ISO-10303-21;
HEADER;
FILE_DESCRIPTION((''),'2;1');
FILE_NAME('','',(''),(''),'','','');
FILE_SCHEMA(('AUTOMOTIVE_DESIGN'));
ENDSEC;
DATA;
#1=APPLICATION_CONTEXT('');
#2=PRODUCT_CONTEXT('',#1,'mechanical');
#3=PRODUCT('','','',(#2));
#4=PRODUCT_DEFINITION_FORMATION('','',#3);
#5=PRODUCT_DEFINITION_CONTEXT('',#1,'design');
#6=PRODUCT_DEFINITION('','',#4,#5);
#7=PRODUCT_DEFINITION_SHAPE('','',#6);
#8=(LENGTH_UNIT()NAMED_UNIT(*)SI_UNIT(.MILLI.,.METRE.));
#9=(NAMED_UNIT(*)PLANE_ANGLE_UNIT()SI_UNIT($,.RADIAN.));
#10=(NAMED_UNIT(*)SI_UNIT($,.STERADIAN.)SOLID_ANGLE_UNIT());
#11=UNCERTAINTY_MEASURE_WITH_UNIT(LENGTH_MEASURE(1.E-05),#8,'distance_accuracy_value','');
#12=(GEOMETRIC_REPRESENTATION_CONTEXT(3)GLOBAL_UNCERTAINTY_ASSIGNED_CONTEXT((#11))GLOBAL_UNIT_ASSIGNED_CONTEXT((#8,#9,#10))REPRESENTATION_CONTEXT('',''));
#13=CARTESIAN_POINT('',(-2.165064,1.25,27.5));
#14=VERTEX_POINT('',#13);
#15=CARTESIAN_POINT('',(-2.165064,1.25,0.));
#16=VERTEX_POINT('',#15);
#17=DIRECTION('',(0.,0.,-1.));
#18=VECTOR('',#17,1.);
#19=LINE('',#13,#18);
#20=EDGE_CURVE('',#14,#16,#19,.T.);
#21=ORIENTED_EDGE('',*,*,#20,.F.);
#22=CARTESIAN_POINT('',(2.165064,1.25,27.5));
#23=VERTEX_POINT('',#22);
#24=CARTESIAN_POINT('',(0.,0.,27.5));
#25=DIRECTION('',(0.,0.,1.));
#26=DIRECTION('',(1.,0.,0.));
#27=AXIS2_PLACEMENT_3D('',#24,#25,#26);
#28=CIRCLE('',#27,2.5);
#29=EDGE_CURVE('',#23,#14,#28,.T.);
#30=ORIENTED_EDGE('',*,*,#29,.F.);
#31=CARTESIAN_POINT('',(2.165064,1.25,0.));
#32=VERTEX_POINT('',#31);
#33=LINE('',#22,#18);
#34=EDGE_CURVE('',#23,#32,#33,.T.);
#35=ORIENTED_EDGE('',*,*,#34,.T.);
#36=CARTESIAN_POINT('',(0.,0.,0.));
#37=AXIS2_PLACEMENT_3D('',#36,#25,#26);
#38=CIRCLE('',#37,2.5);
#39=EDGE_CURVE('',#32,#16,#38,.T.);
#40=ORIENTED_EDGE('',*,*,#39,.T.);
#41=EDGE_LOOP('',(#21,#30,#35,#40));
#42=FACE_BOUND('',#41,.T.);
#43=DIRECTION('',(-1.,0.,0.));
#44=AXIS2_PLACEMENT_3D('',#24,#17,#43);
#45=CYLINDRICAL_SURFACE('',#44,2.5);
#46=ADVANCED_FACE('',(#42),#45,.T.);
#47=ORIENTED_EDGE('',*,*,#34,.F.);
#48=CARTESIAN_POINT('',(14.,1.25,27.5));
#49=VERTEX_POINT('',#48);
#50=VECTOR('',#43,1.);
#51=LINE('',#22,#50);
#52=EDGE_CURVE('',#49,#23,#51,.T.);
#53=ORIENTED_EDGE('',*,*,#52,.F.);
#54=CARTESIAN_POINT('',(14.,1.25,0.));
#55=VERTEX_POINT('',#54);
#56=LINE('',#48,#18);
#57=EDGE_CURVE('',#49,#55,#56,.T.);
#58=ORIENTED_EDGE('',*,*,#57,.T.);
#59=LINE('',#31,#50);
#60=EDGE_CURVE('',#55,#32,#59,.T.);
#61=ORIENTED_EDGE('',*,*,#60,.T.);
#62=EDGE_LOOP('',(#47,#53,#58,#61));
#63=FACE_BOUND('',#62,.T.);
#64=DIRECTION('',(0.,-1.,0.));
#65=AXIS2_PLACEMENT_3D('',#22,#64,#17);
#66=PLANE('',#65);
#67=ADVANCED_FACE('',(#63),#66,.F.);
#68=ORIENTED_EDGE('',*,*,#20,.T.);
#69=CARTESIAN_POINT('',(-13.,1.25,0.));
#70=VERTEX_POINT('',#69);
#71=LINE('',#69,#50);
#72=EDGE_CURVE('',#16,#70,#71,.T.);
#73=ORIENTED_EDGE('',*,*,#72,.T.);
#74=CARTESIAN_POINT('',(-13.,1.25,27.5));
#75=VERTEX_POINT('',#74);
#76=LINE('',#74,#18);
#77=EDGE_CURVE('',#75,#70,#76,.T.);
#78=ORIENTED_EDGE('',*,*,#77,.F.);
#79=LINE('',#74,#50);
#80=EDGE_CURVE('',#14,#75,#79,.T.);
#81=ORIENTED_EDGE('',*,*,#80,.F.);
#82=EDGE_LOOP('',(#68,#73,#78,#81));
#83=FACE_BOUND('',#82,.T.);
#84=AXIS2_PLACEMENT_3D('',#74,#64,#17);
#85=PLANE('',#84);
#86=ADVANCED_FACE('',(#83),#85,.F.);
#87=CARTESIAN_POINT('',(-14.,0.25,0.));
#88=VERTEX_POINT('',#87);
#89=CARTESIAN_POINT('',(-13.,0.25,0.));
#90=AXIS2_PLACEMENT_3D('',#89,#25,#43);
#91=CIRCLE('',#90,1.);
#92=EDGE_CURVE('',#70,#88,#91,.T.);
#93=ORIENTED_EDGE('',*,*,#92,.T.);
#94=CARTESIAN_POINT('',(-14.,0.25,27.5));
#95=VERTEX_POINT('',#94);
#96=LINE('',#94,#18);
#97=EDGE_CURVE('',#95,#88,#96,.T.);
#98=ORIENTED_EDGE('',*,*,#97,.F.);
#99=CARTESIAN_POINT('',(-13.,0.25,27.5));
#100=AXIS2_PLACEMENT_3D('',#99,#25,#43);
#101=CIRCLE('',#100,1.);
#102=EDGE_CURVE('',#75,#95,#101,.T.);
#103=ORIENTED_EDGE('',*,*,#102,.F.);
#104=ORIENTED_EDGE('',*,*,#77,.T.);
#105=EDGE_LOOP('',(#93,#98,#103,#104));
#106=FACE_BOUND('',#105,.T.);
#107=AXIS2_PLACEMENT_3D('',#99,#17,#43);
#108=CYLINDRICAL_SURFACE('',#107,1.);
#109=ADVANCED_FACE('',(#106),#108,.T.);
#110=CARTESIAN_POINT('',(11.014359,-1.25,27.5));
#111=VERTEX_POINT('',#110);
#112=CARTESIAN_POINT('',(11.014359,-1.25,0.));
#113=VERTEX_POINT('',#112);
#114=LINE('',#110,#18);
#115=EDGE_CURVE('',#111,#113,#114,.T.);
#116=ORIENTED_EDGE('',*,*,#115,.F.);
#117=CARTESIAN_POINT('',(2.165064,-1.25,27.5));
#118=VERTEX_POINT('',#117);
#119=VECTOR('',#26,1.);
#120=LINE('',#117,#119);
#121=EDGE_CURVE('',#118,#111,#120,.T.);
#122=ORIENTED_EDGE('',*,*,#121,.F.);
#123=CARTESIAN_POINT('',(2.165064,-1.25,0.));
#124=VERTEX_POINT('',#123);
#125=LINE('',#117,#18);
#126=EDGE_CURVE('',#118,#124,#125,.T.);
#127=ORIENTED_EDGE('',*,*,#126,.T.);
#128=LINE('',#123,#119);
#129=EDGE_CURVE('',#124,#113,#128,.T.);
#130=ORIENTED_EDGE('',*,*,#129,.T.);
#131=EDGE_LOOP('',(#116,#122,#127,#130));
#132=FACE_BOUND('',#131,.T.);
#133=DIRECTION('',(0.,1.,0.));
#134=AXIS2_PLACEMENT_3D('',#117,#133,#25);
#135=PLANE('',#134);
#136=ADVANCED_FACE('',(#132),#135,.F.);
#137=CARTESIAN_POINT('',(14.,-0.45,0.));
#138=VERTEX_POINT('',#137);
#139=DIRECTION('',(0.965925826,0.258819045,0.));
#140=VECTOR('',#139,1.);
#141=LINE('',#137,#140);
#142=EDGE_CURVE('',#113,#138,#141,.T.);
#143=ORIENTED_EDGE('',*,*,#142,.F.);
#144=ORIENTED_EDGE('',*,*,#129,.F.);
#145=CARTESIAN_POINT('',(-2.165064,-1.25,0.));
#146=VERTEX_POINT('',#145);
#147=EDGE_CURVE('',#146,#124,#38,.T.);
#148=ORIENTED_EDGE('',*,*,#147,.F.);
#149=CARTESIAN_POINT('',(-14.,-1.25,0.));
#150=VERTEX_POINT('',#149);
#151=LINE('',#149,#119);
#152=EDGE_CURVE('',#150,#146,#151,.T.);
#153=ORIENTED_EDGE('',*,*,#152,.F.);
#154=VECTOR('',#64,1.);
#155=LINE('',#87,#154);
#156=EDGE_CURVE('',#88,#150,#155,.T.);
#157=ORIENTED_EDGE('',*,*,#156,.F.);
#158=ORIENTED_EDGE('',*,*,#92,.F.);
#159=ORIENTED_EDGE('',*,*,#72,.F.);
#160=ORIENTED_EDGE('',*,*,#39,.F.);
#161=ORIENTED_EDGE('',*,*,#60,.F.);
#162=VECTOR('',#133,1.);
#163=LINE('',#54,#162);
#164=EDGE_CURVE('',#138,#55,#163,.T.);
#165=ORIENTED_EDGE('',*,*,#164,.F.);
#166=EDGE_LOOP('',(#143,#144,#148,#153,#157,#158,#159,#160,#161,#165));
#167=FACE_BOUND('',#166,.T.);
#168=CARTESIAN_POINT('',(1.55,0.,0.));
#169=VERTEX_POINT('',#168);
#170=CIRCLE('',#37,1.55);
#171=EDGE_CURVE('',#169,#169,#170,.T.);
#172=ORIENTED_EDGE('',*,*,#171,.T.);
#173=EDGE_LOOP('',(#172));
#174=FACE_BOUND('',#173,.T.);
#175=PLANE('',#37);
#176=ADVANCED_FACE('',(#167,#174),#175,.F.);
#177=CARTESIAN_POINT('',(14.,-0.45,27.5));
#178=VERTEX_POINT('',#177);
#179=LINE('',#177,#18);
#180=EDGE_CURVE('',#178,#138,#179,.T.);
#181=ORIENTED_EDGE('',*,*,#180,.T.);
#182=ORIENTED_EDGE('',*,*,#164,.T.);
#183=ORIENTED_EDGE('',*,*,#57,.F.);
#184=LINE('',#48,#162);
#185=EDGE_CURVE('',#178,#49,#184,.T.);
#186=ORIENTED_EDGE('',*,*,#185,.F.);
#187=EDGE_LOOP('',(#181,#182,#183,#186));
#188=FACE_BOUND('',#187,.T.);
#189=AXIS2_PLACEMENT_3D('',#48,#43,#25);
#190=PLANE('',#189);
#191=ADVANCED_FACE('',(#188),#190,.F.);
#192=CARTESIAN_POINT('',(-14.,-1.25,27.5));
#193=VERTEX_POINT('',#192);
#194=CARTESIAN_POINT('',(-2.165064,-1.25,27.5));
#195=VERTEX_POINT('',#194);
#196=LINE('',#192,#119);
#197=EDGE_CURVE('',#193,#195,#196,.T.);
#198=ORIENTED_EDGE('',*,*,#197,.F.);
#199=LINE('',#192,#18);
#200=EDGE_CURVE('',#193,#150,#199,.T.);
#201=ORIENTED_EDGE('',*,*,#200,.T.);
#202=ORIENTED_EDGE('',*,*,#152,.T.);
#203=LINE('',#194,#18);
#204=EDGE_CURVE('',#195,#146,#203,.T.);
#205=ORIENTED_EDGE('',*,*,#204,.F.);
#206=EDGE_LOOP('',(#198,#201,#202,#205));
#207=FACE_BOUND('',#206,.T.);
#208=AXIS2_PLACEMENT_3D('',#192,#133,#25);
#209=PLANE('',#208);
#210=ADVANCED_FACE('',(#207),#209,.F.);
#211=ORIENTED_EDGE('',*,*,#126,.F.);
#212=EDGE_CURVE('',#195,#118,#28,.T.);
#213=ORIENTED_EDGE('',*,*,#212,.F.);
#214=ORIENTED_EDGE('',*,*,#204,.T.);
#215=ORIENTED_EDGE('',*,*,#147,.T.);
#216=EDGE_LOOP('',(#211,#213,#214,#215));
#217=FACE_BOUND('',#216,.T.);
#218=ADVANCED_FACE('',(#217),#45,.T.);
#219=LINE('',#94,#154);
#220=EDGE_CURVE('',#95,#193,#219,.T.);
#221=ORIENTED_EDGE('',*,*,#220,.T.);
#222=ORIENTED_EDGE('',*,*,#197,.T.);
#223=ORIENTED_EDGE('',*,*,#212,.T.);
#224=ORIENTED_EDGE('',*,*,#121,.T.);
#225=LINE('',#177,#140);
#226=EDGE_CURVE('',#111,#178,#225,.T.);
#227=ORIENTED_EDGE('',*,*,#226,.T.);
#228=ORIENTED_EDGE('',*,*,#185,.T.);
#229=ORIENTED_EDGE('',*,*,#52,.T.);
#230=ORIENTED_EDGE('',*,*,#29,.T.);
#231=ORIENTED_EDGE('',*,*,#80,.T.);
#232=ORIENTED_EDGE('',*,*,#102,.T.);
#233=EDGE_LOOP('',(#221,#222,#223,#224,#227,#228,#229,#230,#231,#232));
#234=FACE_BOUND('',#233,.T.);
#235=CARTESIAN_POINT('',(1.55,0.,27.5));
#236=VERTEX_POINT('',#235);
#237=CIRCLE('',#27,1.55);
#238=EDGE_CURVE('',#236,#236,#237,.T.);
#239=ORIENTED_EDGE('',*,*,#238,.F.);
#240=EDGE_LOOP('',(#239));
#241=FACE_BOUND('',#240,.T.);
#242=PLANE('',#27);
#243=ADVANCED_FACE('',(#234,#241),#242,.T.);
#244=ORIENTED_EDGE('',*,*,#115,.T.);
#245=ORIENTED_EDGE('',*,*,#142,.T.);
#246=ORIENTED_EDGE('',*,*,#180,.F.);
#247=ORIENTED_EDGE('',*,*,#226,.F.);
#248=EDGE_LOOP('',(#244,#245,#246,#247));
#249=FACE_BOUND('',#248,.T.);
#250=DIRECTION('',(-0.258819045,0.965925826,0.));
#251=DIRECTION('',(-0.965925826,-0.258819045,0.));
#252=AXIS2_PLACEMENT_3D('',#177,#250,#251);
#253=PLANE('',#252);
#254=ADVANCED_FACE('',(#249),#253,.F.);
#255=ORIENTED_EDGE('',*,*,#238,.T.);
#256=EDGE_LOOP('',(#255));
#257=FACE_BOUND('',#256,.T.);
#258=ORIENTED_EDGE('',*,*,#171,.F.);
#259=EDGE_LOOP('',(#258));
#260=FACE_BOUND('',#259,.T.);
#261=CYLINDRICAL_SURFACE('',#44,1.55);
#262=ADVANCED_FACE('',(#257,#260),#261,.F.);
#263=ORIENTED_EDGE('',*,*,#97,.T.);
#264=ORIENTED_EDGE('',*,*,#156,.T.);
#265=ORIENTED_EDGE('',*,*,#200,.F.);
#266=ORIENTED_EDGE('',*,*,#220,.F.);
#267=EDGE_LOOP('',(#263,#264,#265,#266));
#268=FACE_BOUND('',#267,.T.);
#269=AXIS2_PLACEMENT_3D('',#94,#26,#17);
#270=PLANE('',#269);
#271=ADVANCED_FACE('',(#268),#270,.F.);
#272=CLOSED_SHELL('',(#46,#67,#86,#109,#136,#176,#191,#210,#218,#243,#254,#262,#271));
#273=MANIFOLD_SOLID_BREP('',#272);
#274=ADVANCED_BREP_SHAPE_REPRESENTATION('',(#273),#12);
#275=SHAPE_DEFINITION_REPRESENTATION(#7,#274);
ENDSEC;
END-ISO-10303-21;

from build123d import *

# Parameters (mm, degrees)
SKETCH_1_R      = 1.55
EXTRUDE_1_DEPTH = 27.5


with BuildPart() as part:
    # 草图1 → 凸台-拉伸1 (new body)
    with BuildSketch(Plane.XY):
        with BuildLine():
            Line((2.165063509, 1.25), (14, 1.25))
            Line((14, 1.25), (14, -0.45))
            Line((14, -0.45), (11.014359354, -1.25))
            Line((11.014359354, -1.25), (2.165063509, -1.25))
            ThreePointArc((2.165063509, -1.25), (0, -2.5), (-2.165063509, -1.25))
            Line((-2.165063509, -1.25), (-14, -1.25))
            Line((-14, -1.25), (-14, 0.25))
            ThreePointArc((-14, 0.25), (-13.707106781, 0.957106781), (-13, 1.25))
            Line((-13, 1.25), (-2.165063509, 1.25))
            ThreePointArc((-2.165063509, 1.25), (0, 2.5), (2.165063509, 1.25))
        make_face()
        Circle(SKETCH_1_R, mode=Mode.SUBTRACT)
    extrude(amount=EXTRUDE_1_DEPTH)


solid = part.part
